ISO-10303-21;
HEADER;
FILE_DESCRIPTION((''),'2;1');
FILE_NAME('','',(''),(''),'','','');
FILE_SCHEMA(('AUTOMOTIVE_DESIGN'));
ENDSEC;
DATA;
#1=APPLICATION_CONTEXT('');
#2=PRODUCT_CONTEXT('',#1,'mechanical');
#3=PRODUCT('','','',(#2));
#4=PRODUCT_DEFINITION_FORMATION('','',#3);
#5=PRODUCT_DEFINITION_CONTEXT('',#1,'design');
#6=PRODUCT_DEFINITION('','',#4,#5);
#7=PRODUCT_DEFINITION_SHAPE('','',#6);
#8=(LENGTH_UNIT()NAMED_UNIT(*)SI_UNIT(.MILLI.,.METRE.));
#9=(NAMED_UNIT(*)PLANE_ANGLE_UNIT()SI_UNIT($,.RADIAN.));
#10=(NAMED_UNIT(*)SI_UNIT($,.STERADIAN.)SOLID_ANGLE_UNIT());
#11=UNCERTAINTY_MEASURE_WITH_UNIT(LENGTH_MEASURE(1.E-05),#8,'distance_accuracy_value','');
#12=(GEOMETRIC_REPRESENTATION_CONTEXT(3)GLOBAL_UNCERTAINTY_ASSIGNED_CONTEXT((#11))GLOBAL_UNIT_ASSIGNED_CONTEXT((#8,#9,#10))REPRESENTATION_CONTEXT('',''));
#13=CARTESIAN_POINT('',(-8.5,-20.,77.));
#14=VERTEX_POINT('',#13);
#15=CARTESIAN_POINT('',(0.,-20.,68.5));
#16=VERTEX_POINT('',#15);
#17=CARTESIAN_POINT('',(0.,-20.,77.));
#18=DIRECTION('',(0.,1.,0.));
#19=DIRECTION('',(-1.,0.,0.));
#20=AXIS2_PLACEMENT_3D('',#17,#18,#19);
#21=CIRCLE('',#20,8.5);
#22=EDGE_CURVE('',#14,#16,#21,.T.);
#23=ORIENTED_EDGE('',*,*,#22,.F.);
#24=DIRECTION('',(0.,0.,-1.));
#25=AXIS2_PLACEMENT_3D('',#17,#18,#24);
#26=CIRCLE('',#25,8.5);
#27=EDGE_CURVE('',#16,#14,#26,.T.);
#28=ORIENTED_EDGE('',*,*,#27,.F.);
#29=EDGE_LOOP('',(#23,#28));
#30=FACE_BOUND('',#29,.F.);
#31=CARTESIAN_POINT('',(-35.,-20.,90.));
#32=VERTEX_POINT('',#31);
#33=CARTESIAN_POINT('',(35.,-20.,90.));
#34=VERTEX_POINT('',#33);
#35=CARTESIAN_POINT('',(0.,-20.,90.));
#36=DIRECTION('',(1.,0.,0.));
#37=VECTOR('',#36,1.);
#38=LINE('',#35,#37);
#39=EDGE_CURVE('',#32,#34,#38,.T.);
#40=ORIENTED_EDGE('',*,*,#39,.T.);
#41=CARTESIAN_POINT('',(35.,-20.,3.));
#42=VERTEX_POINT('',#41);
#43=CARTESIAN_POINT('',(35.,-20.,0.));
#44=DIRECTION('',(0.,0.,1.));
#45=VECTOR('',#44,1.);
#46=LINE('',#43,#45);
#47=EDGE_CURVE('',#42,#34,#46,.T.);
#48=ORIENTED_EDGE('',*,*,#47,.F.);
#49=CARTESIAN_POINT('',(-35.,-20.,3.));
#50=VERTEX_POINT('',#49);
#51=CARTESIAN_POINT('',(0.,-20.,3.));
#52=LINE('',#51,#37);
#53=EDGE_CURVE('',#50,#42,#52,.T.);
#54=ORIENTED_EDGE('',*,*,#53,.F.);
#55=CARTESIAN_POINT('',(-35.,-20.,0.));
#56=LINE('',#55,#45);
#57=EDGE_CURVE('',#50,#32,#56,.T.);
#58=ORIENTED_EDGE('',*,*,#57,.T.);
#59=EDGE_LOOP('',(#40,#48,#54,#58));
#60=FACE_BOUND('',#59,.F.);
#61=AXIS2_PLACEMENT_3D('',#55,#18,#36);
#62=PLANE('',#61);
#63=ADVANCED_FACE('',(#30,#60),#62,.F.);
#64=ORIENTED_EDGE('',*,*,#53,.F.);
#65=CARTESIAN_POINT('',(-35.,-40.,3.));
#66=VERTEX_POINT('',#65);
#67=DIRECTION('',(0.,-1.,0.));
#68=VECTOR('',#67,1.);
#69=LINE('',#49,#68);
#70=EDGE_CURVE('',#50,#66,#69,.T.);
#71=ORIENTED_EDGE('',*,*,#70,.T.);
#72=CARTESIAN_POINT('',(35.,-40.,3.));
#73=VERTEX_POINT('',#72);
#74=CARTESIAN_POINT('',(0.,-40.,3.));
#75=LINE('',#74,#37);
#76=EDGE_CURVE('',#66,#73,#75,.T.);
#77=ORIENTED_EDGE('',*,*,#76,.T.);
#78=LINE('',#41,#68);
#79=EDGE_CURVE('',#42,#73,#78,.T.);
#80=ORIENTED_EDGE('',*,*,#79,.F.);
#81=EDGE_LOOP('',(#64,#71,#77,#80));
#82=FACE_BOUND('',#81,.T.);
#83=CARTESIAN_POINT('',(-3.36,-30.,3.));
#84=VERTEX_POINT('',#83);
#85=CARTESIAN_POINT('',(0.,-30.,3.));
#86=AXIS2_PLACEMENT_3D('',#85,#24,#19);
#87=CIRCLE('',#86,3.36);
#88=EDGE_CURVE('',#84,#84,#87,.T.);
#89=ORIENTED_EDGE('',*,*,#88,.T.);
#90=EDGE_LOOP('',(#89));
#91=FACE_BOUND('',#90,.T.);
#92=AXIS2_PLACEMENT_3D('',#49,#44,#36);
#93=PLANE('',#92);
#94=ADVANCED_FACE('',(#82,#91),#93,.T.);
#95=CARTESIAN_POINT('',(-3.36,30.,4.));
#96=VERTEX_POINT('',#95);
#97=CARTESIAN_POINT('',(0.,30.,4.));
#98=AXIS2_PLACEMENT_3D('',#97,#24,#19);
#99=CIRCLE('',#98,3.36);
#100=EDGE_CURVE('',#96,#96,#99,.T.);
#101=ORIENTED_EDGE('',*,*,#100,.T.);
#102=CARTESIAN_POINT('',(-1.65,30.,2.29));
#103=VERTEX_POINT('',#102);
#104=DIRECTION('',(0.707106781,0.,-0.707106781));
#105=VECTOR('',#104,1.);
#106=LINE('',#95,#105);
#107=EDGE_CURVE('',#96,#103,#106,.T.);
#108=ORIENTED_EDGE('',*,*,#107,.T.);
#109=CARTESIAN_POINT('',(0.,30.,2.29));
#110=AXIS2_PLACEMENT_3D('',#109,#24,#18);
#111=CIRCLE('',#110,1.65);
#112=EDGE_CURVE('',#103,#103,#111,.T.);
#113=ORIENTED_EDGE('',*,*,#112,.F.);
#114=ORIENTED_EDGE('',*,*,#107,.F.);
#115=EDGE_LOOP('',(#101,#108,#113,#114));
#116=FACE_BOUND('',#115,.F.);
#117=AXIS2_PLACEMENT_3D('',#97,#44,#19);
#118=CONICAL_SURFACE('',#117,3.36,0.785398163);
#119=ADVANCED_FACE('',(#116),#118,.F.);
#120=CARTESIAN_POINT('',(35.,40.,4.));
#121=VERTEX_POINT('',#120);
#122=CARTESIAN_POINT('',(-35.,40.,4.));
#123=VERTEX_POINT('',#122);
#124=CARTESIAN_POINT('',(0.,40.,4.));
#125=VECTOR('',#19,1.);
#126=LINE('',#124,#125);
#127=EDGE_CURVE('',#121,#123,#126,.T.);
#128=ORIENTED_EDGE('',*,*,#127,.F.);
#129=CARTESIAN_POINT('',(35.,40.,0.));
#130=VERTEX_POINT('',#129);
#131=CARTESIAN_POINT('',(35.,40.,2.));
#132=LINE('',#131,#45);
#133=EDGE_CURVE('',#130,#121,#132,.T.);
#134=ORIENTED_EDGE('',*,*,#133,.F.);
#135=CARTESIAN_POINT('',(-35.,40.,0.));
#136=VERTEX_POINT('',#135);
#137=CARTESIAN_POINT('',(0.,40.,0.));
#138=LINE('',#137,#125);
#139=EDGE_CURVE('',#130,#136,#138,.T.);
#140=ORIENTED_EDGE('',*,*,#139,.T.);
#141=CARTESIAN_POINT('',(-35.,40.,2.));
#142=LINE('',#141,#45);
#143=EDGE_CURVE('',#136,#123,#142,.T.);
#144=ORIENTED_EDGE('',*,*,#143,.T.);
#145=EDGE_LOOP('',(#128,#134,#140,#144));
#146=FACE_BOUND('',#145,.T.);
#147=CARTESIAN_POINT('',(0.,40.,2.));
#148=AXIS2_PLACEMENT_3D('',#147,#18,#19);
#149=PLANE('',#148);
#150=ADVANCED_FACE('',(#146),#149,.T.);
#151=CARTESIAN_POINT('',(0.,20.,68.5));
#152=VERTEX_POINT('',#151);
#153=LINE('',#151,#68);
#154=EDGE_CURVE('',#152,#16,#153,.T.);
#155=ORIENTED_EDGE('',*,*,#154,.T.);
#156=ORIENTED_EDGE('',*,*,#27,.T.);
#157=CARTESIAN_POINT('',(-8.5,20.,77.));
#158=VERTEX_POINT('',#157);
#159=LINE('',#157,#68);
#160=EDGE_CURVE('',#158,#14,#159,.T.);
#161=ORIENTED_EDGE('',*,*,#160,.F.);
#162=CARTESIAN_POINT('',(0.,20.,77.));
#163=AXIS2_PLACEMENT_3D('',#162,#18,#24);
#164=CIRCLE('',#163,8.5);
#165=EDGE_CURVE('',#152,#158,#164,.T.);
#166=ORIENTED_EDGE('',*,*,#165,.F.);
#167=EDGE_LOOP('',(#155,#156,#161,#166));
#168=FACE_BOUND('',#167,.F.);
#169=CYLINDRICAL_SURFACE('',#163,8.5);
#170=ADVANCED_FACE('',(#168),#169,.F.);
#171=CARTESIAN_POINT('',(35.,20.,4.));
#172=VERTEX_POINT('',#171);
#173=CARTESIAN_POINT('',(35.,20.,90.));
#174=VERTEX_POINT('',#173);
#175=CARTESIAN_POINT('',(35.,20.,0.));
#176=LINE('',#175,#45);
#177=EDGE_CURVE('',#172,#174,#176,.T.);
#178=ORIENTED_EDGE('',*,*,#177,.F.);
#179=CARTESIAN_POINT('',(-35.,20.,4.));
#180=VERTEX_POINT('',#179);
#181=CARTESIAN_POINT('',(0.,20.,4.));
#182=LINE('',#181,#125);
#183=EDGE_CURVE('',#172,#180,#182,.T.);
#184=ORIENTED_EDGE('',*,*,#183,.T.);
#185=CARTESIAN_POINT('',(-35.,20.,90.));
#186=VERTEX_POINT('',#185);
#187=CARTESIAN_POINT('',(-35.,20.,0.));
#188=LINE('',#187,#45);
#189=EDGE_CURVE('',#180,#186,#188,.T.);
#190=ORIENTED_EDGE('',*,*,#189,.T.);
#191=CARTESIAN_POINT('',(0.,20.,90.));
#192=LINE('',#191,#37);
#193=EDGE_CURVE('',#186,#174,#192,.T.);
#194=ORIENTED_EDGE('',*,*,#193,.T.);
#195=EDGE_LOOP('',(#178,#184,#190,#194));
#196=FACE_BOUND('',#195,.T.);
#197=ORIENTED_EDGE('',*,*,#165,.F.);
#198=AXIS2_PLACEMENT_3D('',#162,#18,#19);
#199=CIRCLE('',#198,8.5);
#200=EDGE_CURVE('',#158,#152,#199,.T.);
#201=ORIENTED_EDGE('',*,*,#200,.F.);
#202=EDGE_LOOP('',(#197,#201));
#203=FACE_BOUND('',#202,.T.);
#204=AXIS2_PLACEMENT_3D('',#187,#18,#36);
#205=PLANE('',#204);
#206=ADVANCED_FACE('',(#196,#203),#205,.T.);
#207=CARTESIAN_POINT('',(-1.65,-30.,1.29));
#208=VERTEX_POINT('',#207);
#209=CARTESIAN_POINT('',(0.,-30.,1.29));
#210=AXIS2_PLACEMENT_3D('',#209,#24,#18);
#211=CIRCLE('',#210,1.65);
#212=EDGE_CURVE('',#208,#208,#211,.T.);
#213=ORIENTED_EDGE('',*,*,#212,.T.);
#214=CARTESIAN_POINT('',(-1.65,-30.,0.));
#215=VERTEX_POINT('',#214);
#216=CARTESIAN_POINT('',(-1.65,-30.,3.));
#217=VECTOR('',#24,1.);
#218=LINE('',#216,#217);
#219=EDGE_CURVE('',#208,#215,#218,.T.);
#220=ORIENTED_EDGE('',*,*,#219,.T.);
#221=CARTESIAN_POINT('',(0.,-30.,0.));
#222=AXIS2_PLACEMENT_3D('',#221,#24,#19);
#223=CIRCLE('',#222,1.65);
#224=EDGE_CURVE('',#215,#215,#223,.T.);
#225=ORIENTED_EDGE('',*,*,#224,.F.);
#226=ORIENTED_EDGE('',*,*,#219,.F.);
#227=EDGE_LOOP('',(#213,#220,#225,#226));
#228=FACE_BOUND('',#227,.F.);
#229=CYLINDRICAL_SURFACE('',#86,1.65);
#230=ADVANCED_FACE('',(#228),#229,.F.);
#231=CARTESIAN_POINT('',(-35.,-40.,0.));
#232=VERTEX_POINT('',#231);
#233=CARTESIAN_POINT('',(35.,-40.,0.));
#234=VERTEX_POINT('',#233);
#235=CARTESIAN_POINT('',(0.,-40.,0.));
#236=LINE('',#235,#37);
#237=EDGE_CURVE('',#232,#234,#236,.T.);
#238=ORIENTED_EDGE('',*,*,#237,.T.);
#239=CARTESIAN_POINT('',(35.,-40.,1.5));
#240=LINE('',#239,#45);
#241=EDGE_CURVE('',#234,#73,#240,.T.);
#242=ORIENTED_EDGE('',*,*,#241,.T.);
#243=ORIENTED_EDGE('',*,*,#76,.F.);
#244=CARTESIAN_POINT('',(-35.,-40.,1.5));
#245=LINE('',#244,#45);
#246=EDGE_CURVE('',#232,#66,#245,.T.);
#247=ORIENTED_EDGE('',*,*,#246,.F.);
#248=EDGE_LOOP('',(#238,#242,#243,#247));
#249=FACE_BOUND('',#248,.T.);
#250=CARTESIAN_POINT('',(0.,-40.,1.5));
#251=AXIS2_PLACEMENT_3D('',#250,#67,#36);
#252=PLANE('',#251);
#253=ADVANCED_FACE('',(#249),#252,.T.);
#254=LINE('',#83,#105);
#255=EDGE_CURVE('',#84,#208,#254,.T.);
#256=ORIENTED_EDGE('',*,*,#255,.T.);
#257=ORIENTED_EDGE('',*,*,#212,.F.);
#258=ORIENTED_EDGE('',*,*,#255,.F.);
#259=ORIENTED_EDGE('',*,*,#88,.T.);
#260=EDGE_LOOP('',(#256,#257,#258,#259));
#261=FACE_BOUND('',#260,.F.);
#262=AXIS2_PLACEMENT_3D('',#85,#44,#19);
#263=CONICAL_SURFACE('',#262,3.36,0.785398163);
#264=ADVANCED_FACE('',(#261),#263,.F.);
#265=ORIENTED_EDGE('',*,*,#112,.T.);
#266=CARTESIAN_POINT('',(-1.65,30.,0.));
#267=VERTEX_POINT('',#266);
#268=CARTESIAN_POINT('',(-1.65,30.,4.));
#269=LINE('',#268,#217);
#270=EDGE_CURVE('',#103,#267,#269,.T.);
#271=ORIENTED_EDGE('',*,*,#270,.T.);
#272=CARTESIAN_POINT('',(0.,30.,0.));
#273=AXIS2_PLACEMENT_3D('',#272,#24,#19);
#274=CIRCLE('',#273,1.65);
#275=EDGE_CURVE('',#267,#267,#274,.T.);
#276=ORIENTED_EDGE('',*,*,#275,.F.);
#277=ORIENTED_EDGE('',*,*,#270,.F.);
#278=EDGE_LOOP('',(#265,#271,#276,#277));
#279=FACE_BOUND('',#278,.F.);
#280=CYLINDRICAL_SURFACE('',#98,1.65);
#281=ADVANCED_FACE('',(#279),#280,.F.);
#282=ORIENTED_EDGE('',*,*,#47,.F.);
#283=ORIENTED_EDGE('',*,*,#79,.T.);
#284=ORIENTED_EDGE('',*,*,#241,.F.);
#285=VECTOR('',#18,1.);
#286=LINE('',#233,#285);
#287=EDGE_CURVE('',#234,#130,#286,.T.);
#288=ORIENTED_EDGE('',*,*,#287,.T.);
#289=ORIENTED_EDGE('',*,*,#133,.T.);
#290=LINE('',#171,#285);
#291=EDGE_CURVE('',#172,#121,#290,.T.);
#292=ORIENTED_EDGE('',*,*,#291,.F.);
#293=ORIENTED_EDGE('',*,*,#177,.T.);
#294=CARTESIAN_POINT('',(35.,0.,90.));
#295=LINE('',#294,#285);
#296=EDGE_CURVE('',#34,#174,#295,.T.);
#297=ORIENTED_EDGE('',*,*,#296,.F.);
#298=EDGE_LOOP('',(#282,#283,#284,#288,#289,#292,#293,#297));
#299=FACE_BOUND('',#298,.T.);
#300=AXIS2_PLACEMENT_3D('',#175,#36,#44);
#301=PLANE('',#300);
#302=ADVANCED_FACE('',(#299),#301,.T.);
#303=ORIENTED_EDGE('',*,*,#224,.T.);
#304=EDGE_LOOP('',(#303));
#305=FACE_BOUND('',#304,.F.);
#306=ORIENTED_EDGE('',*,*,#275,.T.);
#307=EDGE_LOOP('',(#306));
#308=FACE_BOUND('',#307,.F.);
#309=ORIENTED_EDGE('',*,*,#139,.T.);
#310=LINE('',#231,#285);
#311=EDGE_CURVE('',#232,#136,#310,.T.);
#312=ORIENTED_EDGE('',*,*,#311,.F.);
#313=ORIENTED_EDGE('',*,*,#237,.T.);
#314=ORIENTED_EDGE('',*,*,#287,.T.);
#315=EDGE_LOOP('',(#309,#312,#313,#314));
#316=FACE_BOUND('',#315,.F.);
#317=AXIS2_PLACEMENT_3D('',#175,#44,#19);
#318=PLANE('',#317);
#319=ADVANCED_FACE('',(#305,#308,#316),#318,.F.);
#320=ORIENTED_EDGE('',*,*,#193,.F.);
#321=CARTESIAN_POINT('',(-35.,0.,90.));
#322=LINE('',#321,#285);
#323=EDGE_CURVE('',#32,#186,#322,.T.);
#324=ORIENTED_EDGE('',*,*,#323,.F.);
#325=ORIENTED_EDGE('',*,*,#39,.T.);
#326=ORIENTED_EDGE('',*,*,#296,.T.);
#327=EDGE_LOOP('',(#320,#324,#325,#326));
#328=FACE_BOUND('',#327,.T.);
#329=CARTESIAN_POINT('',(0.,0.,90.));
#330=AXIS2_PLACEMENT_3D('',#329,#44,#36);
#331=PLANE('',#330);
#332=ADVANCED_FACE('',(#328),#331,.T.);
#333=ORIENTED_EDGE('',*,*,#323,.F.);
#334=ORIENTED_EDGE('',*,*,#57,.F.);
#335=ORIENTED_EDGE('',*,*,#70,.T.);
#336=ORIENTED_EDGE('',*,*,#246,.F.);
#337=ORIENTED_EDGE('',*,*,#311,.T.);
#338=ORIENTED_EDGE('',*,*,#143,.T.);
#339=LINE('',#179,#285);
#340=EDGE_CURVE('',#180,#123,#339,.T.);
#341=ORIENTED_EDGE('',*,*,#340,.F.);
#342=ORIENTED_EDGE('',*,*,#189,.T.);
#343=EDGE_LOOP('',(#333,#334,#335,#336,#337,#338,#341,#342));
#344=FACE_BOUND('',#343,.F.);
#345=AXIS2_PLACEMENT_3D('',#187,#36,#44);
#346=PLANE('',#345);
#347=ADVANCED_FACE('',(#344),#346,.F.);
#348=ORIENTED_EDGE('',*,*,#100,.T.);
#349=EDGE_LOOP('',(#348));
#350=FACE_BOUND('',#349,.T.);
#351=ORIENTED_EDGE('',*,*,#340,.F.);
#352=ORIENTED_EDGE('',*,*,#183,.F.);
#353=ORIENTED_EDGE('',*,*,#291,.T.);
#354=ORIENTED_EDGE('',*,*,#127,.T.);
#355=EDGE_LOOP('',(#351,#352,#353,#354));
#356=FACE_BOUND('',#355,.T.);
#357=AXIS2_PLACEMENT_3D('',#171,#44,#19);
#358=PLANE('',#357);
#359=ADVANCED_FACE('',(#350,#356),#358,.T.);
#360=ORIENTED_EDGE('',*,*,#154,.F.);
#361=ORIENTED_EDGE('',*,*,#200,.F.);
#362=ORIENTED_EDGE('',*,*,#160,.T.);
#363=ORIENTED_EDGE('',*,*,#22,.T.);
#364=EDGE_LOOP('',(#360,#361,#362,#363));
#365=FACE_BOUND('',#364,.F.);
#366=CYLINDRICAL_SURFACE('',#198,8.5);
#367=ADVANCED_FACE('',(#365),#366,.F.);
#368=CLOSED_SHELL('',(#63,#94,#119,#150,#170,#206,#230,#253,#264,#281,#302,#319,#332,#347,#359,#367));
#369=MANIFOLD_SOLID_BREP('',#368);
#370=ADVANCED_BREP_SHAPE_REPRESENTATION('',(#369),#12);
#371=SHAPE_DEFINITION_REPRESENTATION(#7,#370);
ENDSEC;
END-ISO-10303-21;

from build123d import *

# Parameters (mm, degrees)
F0_W            = 70
F0_H            = 40
F1_DEPTH        = 90
F3_DEPTH        = 40.001
F4_W            = 70
F4_H            = 3
F5_DEPTH        = 20
F6_W            = 70
F6_H            = 4
F7_DEPTH        = 20
F9_D            = 3.3
F9_DEPTH        = 12
F9_CSINK_D      = 6.72
F9_CSINK_ANGLE  = 90
F9_TIP          = 0.9914200214
F11_D           = 3.3
F11_DEPTH       = 12
F11_CSINK_D     = 6.72
F11_CSINK_ANGLE = 90
F11_TIP         = 0.9914200214


with BuildPart() as f1:
    # F0 (on Top) → F1 (new body)
    with BuildSketch(Plane.XY):
        Rectangle(F0_W, F0_H)
    extrude(amount=F1_DEPTH)

    # F2 (on face) → F3 (cut, through all)
    with BuildSketch(Plane(origin=(0, 20, 0), x_dir=(-1, 0, 0), z_dir=(0, 1, 0))):
        with BuildLine():
            ThreePointArc((0, 68.5), (6.0104076401, 70.9895923599), (8.5, 77))
            ThreePointArc((8.5, 77), (-6.0104076401, 83.0104076401), (0, 68.5))
        make_face()
    extrude(amount=-F3_DEPTH, mode=Mode.SUBTRACT)

    # F4 (on face) → F5 (join)
    with BuildSketch(Plane.XZ.offset(20)):
        with Locations((0, 1.5)):
            Rectangle(F4_W, F4_H)
    extrude(amount=F5_DEPTH)

    # F6 (on face) → F7 (join)
    with BuildSketch(Plane(origin=(0, 20, 0), x_dir=(-1, 0, 0), z_dir=(0, 1, 0))):
        with Locations((0, 2)):
            Rectangle(F6_W, F6_H)
    extrude(amount=F7_DEPTH)

    # F9
    with Locations(Plane.XY.offset(3)):
        with Locations((0, -30)):
            CounterSinkHole(F9_D / 2, F9_CSINK_D / 2, depth=F9_DEPTH, counter_sink_angle=F9_CSINK_ANGLE)
            with Locations((0, 0, -(F9_DEPTH + F9_TIP / 2))):  # 118° drill point
                Cone(0, F9_D / 2, F9_TIP, mode=Mode.SUBTRACT)

    # F11
    with Locations(Plane.XY.offset(4)):
        with Locations((0, 30)):
            CounterSinkHole(F11_D / 2, F11_CSINK_D / 2, depth=F11_DEPTH, counter_sink_angle=F11_CSINK_ANGLE)
            with Locations((0, 0, -(F11_DEPTH + F11_TIP / 2))):  # 118° drill point
                Cone(0, F11_D / 2, F11_TIP, mode=Mode.SUBTRACT)


solid = f1.part
